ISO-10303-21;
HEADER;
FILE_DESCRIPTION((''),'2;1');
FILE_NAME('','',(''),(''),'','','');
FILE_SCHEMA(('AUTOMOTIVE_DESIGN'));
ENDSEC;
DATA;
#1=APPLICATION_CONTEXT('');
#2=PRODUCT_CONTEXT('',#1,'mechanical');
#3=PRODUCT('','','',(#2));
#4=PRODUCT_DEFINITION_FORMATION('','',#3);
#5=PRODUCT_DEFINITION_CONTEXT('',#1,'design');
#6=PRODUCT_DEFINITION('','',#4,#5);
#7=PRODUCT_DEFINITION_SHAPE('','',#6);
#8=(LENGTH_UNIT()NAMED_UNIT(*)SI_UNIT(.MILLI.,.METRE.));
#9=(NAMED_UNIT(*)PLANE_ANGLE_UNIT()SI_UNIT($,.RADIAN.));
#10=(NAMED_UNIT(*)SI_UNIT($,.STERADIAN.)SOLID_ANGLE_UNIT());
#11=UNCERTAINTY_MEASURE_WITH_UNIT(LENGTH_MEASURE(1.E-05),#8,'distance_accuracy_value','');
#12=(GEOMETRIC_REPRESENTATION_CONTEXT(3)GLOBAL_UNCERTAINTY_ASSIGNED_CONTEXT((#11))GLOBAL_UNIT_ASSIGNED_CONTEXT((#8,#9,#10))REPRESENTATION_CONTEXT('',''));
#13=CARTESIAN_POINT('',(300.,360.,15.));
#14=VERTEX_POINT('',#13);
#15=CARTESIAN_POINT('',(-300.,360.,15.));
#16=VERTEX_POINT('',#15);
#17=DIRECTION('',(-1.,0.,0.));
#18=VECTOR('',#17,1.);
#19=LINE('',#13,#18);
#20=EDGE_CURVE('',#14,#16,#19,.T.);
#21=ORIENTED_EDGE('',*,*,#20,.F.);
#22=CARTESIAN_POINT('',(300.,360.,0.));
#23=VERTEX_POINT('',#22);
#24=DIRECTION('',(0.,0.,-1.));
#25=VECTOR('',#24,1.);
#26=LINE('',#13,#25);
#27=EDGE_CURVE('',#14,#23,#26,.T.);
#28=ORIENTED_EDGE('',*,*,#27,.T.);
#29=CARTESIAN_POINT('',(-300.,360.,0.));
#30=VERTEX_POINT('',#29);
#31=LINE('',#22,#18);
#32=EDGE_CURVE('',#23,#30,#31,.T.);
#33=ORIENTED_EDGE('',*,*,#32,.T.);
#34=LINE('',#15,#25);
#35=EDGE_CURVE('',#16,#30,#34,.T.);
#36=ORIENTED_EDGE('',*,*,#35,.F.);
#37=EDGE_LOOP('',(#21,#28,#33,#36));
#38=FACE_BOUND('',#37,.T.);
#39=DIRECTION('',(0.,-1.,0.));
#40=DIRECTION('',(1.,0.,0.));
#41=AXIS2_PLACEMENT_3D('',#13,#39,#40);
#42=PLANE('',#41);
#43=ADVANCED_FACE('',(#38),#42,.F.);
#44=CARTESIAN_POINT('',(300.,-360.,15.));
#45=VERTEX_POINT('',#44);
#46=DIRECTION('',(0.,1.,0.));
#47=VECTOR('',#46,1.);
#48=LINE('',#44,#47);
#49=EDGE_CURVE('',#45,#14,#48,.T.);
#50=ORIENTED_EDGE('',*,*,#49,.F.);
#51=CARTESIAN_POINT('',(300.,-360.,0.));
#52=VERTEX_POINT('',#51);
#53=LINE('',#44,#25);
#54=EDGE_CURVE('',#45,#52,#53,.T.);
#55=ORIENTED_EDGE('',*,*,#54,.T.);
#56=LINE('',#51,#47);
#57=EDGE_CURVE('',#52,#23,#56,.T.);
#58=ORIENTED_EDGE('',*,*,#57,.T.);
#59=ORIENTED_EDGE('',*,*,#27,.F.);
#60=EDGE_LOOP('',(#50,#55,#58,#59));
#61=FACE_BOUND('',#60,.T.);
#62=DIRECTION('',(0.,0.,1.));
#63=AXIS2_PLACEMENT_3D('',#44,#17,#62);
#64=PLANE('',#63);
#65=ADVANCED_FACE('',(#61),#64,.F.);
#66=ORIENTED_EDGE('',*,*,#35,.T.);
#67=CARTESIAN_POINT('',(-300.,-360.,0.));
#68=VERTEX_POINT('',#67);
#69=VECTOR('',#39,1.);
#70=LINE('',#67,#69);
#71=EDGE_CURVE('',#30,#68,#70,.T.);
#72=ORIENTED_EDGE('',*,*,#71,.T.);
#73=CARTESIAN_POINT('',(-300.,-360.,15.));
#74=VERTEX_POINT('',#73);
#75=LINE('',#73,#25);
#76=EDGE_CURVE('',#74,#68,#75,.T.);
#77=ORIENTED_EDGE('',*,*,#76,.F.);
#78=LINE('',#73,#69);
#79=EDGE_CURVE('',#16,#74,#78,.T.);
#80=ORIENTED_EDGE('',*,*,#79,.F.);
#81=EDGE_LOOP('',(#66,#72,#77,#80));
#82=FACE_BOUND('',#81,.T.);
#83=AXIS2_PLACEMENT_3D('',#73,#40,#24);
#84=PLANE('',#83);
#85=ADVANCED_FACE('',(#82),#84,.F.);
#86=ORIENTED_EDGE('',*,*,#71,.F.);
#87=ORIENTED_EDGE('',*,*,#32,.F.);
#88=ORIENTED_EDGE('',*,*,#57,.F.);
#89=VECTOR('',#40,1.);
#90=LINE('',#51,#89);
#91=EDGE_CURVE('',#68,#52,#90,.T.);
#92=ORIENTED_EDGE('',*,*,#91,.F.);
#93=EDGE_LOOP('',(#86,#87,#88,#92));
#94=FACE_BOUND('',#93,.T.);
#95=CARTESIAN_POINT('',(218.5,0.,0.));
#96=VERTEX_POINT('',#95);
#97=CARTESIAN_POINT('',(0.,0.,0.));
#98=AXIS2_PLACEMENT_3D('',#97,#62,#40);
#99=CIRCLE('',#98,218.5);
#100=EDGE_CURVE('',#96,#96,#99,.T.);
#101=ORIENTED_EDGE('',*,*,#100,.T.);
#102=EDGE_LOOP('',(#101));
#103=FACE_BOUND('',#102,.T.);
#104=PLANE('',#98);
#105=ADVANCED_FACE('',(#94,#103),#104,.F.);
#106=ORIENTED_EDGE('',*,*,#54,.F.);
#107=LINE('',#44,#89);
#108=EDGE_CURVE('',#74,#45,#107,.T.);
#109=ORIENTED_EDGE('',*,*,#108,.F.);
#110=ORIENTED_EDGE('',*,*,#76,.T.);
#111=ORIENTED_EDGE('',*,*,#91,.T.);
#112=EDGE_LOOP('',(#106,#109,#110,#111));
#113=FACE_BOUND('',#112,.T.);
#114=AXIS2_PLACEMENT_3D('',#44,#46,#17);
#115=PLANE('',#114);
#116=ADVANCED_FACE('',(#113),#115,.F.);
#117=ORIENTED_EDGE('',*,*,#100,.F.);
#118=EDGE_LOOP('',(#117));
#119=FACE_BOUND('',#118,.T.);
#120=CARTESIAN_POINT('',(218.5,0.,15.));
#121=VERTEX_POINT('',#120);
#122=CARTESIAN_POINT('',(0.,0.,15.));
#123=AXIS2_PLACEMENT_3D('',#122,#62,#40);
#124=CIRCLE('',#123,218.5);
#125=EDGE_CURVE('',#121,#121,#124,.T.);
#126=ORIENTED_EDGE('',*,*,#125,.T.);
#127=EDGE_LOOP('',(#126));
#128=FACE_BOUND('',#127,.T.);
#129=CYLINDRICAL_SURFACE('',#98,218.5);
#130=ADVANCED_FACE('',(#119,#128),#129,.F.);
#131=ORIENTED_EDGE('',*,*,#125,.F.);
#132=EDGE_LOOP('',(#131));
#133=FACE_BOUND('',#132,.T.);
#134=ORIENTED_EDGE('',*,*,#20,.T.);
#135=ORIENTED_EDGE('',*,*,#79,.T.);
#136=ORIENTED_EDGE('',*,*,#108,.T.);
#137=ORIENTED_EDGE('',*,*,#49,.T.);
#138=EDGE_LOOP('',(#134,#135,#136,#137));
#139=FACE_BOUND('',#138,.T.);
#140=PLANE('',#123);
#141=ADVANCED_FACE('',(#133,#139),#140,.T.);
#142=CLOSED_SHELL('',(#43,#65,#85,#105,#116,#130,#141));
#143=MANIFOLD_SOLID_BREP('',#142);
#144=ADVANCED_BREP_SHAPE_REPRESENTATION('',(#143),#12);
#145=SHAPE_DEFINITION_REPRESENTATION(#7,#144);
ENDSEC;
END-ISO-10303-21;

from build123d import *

# Parameters (mm, degrees)
ESQUISSE1_W             = 600
ESQUISSE1_H             = 720
BOSS_EXTRU_1_DEPTH      = 15
ESQUISSE2_R             = 218.5
ENL_V_MAT_EXTRU_1_DEPTH = 15


with BuildPart() as part:
    # Esquisse1 → Boss.-Extru.1 (new body)
    with BuildSketch(Plane.XY):
        Rectangle(ESQUISSE1_W, ESQUISSE1_H)
    extrude(amount=BOSS_EXTRU_1_DEPTH)

    # Esquisse2 → Enlèv. mat.-Extru.1 (cut)
    with BuildSketch(Plane.XY.offset(15)):
        Circle(ESQUISSE2_R)
    extrude(amount=-ENL_V_MAT_EXTRU_1_DEPTH, mode=Mode.SUBTRACT)


solid = part.part
